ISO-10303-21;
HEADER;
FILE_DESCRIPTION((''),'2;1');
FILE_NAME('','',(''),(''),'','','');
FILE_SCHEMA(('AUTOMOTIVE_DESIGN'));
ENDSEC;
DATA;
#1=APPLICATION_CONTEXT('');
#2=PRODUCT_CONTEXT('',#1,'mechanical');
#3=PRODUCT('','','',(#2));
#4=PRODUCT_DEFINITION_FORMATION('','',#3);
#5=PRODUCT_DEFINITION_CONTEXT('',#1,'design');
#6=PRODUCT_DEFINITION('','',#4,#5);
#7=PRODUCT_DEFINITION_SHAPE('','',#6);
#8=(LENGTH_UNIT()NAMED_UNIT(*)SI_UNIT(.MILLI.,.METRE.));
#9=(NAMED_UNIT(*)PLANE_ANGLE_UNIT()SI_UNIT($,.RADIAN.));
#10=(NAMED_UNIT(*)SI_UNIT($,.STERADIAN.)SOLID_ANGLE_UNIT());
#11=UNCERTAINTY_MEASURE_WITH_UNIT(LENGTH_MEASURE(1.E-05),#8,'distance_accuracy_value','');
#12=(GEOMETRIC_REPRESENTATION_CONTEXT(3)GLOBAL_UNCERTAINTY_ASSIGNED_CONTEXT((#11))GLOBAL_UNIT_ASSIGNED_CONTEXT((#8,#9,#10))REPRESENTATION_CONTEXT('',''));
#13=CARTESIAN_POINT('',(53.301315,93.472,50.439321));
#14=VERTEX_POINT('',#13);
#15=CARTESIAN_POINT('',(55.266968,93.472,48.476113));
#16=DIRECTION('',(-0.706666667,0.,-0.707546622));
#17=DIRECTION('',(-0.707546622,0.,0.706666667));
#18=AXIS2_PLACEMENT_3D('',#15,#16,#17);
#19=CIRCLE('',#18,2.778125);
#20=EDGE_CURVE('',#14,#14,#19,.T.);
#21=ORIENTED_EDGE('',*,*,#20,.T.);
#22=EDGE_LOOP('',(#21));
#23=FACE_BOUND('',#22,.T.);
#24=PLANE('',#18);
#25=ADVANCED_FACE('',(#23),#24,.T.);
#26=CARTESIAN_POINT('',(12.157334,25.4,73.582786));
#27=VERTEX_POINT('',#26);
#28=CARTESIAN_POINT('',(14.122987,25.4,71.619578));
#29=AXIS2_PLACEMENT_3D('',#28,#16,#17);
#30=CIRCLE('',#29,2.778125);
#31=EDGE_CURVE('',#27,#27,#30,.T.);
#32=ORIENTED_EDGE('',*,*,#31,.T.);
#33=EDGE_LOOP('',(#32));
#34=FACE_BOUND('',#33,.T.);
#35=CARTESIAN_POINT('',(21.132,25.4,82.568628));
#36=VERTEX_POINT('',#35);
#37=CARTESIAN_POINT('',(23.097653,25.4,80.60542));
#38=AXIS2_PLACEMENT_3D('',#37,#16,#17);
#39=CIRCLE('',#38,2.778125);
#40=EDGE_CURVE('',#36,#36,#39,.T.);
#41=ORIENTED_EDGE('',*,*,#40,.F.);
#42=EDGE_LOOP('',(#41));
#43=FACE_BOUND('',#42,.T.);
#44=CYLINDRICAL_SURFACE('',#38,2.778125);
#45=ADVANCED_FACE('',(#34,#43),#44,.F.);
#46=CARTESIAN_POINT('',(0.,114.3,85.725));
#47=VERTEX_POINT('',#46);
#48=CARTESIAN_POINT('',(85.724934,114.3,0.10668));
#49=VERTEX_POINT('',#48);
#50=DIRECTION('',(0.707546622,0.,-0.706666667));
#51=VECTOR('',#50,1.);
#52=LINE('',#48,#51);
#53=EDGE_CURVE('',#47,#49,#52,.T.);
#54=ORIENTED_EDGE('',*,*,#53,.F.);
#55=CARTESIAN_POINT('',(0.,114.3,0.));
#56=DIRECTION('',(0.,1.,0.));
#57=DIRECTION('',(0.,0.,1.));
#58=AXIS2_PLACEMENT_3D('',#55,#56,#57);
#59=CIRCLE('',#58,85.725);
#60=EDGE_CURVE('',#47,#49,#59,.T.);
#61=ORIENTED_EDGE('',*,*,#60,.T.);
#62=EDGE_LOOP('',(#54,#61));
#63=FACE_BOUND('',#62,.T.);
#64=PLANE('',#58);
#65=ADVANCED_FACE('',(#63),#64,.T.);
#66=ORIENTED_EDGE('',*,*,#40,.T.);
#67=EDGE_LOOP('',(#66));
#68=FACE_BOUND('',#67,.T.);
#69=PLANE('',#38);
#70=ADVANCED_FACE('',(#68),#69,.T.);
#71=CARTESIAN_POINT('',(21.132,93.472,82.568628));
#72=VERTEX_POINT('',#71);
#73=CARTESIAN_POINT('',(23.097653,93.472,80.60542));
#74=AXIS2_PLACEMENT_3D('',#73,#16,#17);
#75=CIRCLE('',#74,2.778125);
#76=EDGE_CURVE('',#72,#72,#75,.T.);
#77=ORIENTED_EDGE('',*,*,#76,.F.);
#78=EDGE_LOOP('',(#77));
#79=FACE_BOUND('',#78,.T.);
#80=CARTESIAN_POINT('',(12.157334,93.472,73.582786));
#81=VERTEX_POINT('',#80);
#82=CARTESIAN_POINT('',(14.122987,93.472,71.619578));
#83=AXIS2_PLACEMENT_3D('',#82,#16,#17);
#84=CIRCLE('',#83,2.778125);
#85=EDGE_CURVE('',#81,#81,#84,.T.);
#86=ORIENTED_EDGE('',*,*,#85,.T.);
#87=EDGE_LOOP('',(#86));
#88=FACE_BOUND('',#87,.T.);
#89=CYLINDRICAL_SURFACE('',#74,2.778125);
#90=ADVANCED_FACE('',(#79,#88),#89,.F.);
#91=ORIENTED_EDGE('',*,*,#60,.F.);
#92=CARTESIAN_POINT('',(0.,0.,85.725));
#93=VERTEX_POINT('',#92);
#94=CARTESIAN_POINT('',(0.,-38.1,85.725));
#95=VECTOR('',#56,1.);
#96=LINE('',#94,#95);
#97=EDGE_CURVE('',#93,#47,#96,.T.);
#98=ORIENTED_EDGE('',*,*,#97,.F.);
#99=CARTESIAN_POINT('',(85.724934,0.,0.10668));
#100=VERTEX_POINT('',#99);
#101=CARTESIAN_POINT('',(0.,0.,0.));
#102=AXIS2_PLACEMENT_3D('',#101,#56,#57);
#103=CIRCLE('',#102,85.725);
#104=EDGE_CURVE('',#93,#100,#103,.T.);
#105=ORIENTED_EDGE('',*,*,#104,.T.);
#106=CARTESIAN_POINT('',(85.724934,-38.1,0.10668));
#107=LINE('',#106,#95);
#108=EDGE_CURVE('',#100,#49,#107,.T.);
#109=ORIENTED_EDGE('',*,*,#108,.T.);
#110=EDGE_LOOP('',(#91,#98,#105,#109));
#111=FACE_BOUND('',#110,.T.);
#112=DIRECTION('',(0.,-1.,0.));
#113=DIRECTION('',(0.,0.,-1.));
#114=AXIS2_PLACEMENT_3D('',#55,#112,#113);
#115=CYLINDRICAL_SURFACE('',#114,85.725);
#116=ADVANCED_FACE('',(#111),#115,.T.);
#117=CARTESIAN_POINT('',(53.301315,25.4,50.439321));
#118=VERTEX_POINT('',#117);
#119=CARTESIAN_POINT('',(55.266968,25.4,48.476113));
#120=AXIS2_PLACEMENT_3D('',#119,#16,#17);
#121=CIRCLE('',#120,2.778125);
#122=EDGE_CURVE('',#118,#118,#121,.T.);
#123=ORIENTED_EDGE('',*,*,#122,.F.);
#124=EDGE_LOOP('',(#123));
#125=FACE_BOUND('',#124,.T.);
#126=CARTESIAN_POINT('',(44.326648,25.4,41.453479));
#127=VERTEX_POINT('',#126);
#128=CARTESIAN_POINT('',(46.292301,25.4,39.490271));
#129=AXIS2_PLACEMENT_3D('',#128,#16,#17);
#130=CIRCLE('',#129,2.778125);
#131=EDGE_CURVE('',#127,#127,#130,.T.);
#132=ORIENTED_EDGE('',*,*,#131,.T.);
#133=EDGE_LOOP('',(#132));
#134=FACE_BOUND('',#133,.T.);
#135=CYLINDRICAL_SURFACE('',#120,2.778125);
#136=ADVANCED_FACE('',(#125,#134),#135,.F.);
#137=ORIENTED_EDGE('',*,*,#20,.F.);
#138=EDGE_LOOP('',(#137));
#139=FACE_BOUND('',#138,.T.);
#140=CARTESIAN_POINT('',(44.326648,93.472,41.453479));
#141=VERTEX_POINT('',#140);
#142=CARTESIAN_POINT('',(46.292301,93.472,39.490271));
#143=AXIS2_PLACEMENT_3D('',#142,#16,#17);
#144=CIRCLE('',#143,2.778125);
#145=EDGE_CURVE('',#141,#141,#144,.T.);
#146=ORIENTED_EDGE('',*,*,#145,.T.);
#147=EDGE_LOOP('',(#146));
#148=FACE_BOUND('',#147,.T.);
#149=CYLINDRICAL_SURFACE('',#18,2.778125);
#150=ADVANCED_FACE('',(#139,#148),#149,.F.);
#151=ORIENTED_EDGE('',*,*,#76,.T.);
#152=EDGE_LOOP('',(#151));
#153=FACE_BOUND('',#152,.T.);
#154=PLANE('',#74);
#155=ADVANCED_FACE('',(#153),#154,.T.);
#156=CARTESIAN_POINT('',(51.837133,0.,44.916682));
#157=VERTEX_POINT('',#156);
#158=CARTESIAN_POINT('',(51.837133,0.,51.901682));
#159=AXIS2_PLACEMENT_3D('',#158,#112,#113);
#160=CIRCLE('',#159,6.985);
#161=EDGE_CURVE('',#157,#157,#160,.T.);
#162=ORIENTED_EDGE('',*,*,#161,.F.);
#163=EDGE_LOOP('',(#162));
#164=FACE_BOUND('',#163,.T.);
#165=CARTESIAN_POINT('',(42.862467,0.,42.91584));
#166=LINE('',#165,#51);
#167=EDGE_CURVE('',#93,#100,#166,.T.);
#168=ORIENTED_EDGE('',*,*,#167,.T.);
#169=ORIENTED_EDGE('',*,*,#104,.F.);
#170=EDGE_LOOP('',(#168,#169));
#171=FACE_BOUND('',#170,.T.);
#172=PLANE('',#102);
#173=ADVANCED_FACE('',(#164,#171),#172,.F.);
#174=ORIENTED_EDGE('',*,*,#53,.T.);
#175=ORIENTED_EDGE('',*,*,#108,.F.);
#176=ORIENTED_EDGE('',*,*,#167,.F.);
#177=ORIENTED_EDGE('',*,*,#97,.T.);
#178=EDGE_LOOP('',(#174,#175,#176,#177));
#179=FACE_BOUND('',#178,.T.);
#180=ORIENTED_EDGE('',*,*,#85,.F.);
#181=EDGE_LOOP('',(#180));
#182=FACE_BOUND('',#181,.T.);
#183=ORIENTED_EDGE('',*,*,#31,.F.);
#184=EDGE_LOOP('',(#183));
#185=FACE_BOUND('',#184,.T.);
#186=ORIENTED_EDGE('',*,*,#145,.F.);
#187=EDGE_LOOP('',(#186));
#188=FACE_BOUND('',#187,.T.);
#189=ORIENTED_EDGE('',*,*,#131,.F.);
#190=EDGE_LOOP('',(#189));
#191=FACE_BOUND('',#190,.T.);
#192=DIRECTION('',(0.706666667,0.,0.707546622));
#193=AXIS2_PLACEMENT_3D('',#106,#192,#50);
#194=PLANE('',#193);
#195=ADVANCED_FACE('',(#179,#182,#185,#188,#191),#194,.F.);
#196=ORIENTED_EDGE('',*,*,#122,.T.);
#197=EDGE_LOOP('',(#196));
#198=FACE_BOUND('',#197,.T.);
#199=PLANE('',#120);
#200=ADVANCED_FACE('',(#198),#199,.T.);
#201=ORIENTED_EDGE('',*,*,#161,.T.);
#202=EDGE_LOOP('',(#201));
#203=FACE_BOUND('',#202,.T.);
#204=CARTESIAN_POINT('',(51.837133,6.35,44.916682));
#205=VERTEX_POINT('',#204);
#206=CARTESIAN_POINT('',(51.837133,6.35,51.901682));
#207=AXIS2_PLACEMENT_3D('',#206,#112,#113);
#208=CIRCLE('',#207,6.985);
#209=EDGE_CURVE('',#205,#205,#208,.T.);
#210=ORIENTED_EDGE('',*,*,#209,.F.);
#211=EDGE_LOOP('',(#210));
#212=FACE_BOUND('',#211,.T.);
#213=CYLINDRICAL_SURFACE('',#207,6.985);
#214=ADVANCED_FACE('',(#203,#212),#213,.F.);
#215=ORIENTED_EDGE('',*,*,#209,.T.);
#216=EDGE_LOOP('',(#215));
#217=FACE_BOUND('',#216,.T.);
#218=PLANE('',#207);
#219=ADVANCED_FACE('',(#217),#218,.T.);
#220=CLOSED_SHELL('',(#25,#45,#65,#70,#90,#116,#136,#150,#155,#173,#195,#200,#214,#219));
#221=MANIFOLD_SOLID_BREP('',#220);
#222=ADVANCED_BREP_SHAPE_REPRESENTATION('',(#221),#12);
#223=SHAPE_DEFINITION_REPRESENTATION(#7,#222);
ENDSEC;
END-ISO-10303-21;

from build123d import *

# Parameters (mm, degrees)
SKETCH1_R           = 85.725
BOSS_EXTRUDE1_DEPTH = 114.3
CUT_EXTRUDE1_DEPTH  = 152.4
SKETCH4_R           = 2.778125
CUT_EXTRUDE2_DEPTH  = 12.7
SKETCH5_R           = 6.985
CUT_EXTRUDE3_DEPTH  = 6.35


with BuildPart() as part:
    # Sketch1 → Boss-Extrude1 (new body)
    with BuildSketch(Plane(origin=(0, 0, 0), x_dir=(1, 0, 0), z_dir=(0, 1, 0))):
        Circle(SKETCH1_R)
    extrude(amount=BOSS_EXTRUDE1_DEPTH)

    # Sketch2 → Cut-Extrude1 (cut)
    with BuildSketch(Plane(origin=(0, 114.3, 0), x_dir=(1, 0, 0), z_dir=(0, 1, 0))):
        Polygon((85.724933621, -0.10668), (0, -85.725), (-45.627504124, -96.719379999), (-137.428949547, 46.173941299), (19.12530113, 101.910533163), (109.833872203, 30.600481808), align=None)
    extrude(amount=-CUT_EXTRUDE1_DEPTH, mode=Mode.SUBTRACT)

    # Sketch4 → Cut-Extrude2 (cut)
    with BuildSketch(Plane(origin=(42.862466811, 0, 42.91584), x_dir=(-0.707546622, 0, 0.706666667), z_dir=(-0.706666667, 0, -0.707546622))):
        with Locations((40.618496709, 93.472)):
            Circle(SKETCH4_R)
        with Locations((-4.847503262, 93.472)):
            Circle(SKETCH4_R)
        with Locations((-4.847503262, 25.4)):
            Circle(SKETCH4_R)
        with Locations((40.618496632, 25.4)):
            Circle(SKETCH4_R)
    extrude(amount=-CUT_EXTRUDE2_DEPTH, mode=Mode.SUBTRACT)

    # Sketch5 → Cut-Extrude3 (cut)
    with BuildSketch(Plane(origin=(0, 0, 0), x_dir=(-1, 0, 0), z_dir=(0, -1, 0))):
        with Locations((-51.837133477, -51.901682099)):
            Circle(SKETCH5_R)
    extrude(amount=-CUT_EXTRUDE3_DEPTH, mode=Mode.SUBTRACT)


solid = part.part
